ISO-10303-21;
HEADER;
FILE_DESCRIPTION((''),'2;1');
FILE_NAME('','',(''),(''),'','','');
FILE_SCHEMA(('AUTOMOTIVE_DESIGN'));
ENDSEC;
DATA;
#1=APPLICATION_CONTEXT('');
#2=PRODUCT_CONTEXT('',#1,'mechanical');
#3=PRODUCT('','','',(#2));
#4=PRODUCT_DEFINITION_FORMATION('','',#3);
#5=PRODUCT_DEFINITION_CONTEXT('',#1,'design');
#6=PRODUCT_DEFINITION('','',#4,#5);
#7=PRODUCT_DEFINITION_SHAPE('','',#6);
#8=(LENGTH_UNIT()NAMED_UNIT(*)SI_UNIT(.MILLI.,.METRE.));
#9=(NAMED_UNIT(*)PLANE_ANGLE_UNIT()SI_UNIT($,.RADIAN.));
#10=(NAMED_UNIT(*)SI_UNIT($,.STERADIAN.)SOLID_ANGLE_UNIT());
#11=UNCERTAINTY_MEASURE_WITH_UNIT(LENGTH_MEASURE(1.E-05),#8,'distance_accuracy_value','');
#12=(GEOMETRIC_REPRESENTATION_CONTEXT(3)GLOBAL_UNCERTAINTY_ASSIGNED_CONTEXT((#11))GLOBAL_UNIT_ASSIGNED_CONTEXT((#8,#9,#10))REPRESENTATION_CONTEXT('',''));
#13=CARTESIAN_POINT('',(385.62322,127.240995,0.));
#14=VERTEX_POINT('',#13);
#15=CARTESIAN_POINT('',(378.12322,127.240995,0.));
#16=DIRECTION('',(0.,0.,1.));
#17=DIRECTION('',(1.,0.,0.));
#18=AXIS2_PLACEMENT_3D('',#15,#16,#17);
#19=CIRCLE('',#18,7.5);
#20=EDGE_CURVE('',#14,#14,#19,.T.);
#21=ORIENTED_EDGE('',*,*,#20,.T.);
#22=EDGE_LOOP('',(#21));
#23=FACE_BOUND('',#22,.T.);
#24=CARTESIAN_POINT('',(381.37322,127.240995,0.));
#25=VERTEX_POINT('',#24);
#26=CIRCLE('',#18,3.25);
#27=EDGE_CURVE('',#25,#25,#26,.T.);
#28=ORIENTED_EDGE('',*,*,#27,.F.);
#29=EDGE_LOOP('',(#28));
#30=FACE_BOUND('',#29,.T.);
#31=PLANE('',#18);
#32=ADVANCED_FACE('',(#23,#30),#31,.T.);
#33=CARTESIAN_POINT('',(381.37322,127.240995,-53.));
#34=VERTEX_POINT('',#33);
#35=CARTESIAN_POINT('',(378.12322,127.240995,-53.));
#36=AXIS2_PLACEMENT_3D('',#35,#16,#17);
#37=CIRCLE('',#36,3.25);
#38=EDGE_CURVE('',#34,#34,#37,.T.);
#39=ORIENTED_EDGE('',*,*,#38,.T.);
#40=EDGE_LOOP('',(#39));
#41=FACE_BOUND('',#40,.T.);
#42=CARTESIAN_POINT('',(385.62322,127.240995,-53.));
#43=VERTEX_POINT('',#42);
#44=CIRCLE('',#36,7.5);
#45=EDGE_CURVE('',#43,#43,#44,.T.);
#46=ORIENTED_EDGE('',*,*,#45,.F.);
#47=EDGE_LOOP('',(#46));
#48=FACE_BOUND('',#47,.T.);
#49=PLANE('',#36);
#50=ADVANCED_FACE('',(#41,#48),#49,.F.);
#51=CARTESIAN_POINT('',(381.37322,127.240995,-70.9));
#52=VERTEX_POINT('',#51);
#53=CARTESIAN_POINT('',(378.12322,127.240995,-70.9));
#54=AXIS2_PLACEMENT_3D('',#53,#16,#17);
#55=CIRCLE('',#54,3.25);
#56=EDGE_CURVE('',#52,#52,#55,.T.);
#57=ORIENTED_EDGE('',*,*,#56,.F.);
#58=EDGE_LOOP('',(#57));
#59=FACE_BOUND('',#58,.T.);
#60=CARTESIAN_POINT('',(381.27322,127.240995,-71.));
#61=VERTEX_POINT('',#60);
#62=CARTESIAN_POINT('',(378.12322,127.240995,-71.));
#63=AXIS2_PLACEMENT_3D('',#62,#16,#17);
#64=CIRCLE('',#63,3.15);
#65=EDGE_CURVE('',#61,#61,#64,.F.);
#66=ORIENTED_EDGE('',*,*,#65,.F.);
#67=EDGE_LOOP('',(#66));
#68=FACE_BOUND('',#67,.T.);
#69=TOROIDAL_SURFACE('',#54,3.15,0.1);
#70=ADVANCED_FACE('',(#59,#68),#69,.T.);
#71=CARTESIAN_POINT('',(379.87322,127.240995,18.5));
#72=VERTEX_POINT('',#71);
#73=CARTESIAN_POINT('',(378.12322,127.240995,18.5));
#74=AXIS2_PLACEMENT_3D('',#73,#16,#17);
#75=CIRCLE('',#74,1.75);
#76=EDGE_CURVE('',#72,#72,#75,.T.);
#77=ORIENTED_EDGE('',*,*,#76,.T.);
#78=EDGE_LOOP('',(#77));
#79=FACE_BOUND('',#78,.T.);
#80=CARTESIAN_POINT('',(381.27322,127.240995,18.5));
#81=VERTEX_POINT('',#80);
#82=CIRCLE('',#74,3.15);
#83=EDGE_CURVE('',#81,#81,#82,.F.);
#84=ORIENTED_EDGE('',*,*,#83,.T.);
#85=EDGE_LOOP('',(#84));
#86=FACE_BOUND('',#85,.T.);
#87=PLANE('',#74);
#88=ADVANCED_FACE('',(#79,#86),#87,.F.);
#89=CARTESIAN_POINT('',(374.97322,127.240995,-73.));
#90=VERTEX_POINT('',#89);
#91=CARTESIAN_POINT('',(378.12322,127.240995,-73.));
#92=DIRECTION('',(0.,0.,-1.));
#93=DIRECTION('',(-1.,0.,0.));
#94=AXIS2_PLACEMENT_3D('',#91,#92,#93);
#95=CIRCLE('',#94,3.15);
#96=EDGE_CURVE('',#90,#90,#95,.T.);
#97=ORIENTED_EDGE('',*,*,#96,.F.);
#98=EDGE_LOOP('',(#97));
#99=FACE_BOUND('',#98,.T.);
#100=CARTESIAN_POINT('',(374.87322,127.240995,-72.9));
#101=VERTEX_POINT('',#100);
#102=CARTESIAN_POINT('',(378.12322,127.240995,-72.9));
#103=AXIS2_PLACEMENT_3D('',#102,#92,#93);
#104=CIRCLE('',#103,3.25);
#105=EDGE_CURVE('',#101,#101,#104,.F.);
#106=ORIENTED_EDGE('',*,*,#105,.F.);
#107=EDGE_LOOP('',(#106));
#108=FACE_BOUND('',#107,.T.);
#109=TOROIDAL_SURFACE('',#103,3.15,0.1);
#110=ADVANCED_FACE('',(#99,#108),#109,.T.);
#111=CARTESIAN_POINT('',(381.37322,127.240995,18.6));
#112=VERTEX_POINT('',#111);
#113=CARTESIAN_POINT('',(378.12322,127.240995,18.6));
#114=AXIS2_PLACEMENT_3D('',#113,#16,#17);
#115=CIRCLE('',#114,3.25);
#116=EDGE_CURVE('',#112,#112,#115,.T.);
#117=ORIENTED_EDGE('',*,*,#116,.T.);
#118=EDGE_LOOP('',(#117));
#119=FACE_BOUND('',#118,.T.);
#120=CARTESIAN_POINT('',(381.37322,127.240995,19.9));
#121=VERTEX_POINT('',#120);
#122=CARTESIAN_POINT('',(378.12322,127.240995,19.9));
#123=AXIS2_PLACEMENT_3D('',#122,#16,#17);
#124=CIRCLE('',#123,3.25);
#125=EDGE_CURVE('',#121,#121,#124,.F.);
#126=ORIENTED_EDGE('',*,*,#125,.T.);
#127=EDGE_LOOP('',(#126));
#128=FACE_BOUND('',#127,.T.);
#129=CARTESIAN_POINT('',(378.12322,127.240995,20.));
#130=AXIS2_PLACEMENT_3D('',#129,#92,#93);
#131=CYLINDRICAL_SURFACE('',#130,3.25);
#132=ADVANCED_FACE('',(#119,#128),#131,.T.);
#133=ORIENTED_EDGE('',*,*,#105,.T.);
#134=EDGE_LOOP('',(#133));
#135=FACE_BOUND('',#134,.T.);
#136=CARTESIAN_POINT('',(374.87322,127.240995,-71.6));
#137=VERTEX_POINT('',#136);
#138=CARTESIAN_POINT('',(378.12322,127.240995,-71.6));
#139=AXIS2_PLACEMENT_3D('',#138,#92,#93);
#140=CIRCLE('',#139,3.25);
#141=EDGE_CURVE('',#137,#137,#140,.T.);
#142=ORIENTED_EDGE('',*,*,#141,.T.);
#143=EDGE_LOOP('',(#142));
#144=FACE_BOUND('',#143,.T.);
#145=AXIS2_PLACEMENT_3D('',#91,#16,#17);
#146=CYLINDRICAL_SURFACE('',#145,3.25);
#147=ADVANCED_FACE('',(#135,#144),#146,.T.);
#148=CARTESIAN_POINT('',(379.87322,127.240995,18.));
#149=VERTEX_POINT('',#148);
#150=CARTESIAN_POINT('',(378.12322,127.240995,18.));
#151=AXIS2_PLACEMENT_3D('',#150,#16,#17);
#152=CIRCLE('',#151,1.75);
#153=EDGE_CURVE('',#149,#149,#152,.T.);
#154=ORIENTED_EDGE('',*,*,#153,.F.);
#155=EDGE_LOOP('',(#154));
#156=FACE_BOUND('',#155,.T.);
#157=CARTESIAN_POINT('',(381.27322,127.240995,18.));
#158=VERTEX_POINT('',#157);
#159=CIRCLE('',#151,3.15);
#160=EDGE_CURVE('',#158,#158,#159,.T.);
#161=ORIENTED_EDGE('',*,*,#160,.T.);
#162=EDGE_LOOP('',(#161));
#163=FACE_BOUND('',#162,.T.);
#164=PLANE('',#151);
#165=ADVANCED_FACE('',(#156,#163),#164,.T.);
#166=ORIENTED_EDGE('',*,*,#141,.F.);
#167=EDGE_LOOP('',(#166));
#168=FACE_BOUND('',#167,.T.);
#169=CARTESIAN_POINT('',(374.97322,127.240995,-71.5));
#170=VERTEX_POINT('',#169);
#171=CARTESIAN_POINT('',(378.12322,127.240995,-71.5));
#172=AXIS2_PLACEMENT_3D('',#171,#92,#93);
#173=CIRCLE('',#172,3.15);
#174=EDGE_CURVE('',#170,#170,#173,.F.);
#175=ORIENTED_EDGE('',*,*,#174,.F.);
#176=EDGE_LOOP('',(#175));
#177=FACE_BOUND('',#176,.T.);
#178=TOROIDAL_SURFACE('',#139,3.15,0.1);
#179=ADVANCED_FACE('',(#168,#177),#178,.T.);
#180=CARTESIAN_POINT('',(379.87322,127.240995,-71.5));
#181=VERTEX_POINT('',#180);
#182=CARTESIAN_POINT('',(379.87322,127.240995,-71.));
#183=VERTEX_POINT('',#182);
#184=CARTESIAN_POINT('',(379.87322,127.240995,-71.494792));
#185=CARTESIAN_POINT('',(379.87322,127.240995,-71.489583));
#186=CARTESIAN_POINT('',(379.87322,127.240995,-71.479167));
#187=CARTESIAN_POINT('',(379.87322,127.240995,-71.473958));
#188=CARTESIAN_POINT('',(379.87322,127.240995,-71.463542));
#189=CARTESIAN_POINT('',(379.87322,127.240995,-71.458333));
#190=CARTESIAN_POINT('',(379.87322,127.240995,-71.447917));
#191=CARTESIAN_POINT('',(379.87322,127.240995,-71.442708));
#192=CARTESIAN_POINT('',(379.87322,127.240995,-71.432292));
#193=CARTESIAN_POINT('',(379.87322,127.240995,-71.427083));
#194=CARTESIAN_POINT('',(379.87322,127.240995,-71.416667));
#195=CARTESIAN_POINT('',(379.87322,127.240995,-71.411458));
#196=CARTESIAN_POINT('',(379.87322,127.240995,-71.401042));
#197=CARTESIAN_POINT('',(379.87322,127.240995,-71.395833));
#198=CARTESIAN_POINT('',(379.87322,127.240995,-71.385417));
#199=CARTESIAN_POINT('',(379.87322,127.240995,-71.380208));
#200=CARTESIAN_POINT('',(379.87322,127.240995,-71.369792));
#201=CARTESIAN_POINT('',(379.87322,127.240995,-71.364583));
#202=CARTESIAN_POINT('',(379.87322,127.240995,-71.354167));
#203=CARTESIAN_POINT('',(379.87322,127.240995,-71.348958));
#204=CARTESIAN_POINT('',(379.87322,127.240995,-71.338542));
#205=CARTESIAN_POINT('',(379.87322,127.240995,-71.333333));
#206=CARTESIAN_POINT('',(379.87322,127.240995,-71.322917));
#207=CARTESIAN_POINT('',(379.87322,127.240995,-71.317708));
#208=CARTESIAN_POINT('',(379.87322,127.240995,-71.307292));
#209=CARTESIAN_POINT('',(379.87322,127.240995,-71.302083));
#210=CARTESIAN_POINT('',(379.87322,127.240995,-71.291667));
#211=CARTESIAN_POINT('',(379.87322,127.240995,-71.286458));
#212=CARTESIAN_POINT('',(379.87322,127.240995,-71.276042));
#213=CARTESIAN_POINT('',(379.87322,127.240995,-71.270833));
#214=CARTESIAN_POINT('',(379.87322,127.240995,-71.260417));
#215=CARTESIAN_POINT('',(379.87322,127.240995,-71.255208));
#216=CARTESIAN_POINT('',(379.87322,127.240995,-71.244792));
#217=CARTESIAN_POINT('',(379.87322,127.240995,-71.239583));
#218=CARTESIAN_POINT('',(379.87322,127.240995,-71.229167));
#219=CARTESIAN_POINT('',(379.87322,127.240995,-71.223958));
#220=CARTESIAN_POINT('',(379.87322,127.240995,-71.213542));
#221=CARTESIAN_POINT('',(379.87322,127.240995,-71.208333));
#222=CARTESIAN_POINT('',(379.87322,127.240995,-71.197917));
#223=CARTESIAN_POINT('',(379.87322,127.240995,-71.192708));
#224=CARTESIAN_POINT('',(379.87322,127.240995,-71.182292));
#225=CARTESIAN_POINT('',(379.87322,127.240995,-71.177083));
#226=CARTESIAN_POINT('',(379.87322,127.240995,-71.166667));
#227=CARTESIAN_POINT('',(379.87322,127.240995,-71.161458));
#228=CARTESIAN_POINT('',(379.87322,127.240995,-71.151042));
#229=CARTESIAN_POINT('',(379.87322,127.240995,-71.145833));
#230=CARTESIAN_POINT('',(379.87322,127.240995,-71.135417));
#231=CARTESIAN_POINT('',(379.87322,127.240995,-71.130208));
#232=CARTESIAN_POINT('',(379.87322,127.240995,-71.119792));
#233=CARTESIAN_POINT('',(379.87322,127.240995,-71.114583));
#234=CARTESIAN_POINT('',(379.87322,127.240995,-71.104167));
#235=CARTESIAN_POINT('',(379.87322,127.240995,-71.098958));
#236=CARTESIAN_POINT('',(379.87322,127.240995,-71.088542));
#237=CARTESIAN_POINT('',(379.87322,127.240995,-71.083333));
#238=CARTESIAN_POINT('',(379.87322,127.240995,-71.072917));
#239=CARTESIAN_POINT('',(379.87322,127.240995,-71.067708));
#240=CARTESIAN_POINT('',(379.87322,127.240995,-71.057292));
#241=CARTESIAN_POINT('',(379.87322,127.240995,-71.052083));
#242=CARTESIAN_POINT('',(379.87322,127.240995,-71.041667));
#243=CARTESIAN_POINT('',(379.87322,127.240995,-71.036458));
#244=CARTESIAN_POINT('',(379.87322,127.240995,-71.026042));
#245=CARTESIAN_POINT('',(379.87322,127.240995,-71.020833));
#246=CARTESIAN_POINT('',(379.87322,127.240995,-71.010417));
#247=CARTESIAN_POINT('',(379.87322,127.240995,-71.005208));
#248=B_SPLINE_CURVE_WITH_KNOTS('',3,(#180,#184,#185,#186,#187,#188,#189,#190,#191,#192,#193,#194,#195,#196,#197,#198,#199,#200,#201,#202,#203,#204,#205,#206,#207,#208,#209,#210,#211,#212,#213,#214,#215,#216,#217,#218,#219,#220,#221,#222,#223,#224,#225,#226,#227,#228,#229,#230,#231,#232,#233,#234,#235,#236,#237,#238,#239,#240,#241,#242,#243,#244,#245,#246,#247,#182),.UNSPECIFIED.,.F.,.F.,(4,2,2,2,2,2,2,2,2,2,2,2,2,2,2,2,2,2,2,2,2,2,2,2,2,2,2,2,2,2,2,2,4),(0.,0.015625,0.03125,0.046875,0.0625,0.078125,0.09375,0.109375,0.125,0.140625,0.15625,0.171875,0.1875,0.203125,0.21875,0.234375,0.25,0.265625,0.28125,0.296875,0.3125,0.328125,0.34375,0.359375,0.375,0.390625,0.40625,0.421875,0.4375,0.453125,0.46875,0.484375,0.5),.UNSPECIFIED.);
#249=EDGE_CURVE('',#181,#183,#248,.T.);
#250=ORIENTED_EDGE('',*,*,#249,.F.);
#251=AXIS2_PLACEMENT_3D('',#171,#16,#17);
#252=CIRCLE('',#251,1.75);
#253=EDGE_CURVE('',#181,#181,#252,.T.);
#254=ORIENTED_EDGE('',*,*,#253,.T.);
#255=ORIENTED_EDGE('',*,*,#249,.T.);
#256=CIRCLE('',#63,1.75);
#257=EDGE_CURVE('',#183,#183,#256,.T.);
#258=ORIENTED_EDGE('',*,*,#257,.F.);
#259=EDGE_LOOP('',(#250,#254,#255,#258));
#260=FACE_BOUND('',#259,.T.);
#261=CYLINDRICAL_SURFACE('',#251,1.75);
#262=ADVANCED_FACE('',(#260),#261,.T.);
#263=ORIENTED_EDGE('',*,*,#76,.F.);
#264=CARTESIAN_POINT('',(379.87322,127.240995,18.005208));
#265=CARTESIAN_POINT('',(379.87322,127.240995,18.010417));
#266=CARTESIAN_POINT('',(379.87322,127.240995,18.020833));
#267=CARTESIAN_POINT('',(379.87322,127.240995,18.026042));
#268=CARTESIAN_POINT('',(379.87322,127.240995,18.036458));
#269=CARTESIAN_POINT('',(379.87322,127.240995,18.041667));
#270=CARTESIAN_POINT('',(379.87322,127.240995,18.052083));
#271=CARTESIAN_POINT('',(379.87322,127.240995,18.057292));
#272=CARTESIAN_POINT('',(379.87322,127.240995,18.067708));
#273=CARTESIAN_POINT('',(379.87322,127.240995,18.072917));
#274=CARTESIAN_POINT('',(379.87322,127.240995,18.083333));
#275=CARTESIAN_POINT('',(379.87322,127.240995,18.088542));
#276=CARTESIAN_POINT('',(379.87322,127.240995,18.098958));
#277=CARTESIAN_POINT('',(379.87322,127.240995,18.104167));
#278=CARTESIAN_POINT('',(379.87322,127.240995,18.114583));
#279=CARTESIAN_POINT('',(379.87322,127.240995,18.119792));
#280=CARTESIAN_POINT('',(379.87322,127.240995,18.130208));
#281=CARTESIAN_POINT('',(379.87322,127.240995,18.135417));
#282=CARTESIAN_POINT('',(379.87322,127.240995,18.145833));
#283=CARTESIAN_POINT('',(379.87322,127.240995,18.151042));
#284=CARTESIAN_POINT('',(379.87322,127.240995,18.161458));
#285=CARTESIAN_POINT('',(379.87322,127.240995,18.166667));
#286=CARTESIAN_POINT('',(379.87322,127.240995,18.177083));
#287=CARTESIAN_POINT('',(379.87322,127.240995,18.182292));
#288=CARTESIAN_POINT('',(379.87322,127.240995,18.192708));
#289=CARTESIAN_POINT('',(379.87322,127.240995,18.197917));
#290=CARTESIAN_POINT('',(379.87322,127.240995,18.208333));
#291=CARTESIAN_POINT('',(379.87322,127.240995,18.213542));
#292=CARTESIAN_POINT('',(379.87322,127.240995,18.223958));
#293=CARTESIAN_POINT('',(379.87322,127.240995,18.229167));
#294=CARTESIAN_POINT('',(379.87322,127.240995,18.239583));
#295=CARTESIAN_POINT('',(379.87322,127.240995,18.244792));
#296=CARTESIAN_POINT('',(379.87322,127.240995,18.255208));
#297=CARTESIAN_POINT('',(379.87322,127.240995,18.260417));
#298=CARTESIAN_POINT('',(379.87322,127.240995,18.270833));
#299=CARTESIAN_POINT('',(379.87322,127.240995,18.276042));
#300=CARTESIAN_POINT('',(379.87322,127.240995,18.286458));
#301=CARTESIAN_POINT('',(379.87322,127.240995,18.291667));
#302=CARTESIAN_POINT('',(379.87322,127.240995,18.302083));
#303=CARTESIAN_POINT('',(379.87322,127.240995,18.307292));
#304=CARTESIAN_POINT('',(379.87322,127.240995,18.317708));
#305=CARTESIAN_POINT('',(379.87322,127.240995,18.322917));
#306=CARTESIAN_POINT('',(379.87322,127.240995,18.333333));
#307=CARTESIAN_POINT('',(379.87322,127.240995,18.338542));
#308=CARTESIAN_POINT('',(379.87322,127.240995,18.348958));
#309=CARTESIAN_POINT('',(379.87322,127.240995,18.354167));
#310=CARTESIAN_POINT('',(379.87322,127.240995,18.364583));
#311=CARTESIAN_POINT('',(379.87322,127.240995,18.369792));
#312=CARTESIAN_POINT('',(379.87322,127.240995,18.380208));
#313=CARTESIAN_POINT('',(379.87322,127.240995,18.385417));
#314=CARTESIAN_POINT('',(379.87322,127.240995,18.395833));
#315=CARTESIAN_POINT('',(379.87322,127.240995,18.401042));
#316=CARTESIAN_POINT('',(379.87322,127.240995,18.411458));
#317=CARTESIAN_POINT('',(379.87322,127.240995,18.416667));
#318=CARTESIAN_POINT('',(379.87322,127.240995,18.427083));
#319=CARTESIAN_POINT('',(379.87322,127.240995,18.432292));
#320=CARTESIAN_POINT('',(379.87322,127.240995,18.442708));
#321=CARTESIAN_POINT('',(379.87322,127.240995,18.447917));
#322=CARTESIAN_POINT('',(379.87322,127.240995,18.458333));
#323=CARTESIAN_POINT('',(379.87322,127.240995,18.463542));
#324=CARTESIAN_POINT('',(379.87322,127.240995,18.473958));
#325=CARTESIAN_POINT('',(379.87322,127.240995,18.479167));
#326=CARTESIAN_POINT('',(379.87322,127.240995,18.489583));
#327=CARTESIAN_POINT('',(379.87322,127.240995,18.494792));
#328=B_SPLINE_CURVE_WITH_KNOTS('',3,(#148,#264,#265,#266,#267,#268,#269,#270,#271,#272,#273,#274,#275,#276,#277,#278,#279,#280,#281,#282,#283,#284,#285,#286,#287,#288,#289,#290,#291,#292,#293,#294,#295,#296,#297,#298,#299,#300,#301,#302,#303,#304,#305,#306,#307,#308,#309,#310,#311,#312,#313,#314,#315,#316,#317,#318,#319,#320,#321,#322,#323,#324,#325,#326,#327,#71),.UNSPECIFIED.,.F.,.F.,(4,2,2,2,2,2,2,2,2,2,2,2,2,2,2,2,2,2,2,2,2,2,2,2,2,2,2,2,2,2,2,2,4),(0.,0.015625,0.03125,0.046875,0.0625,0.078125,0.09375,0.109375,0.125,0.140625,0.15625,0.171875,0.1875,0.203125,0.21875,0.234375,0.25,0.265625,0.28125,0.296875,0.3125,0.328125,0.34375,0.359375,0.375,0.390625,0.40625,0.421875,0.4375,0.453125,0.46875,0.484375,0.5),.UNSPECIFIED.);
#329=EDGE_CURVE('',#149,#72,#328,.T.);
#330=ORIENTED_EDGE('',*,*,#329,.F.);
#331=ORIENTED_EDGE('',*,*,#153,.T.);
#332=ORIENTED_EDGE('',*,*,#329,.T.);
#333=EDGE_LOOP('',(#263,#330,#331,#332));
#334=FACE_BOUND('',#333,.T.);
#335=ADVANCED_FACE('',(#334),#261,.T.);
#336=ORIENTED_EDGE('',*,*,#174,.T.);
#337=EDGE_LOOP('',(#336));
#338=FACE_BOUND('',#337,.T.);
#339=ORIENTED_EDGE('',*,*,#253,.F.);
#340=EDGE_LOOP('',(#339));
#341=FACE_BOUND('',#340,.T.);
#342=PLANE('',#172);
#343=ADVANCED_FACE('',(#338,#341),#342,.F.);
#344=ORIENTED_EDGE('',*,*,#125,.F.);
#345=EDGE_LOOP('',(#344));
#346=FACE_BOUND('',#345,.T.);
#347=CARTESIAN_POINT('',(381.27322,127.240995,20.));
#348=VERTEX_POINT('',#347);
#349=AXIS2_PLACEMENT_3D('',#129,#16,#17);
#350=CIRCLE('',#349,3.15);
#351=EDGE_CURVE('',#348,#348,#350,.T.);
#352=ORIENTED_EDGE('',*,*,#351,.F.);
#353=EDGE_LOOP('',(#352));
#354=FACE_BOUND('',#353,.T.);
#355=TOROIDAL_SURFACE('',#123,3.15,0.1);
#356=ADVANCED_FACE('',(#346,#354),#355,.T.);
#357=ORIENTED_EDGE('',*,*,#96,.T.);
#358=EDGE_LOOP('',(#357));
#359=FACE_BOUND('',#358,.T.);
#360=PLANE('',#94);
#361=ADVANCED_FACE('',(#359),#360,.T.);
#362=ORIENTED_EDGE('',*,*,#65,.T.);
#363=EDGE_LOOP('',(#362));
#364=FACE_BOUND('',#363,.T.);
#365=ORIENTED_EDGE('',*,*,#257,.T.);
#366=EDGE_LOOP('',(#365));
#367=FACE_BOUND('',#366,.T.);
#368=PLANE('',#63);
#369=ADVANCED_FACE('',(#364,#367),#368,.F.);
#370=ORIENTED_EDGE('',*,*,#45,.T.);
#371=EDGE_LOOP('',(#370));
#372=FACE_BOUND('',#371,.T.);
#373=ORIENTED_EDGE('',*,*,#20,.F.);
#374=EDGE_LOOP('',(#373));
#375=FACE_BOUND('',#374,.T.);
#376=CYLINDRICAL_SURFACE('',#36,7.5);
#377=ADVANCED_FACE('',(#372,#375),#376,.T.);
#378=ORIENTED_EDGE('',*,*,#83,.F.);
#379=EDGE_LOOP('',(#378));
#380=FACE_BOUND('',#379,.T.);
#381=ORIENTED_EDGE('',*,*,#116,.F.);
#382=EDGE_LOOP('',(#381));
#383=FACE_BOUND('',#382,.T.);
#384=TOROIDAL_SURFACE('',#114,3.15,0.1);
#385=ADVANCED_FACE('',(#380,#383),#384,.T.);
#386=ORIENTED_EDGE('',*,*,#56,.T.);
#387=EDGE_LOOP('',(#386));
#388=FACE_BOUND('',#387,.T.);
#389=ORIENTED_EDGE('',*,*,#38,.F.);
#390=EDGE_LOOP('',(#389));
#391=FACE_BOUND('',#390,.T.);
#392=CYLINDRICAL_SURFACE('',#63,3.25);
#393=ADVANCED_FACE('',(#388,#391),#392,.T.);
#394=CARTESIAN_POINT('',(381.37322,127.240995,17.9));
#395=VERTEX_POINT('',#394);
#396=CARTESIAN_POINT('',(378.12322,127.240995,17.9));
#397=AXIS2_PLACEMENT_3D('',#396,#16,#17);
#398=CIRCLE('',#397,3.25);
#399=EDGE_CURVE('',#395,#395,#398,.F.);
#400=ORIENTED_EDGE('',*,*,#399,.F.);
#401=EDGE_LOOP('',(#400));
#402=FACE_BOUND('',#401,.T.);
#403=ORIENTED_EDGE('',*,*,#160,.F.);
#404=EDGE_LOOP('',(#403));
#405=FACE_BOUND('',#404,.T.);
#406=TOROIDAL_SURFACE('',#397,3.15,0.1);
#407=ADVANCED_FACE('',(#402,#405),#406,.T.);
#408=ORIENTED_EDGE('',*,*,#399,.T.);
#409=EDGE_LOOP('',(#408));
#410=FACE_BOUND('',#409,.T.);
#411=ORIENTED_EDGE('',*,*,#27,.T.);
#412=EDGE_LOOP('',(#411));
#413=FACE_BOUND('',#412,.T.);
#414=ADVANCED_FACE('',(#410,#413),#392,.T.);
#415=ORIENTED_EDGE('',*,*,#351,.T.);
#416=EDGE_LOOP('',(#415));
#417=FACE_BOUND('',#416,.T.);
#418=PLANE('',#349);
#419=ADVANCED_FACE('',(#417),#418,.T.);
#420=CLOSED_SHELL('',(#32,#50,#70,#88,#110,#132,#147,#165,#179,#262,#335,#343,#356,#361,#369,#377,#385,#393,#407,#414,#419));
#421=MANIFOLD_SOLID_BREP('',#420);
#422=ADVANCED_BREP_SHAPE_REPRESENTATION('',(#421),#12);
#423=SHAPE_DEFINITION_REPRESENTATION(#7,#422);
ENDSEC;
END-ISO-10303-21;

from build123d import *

# Parameters (mm, degrees)
SKETCH1_R                = 7.5
BOSS_EXTRUDE1_DEPTH      = 53
BOSS_EXTRUDE2_DEPTH      = 18
BOSS_EXTRUDE2_DEPTH_BACK = 71
SKETCH2_R                = 3.25
BOSS_EXTRUDE3_DEPTH      = 0.5
BOSS_EXTRUDE3_DEPTH_BACK = 89.5
SKETCH3_R                = 1.75
SKETCH4_R                = 3.25
BOSS_EXTRUDE4_DEPTH      = 1.5
BOSS_EXTRUDE5_START      = 1.5
SKETCH5_R                = 3.25
BOSS_EXTRUDE5_DEPTH      = 1.5
FILLET1_R                = 0.1
FILLET2_R                = 0.1


with BuildPart() as part:
    # Sketch1 → Boss-Extrude1 (new body)
    with BuildSketch(Plane.XY):
        with Locations((378.123219941, 127.240995388)):
            Circle(SKETCH1_R)
    extrude(amount=-BOSS_EXTRUDE1_DEPTH)

    # Sketch2 → Boss-Extrude2 (add, two sides: drawn at the far end of the back side and taken through both)
    with BuildSketch(Plane.XY.offset(-BOSS_EXTRUDE2_DEPTH_BACK)):
        with Locations((378.123219941, 127.240995388)):
            Circle(SKETCH2_R)
    extrude(amount=BOSS_EXTRUDE2_DEPTH + BOSS_EXTRUDE2_DEPTH_BACK)

    # Sketch3 → Boss-Extrude3 (add, two sides: drawn at the far end of the back side and taken through both)
    with BuildSketch(Plane.XY.offset(18).offset(-BOSS_EXTRUDE3_DEPTH_BACK)):
        with Locations((378.123219941, 127.240995388)):
            Circle(SKETCH3_R)
    extrude(amount=BOSS_EXTRUDE3_DEPTH + BOSS_EXTRUDE3_DEPTH_BACK)

    # Sketch4 → Boss-Extrude4 (add)
    with BuildSketch(Plane.XY.offset(18.5)):
        with Locations((378.123219941, 127.240995388)):
            Circle(SKETCH4_R)
    extrude(amount=BOSS_EXTRUDE4_DEPTH)

    # Sketch5 → Boss-Extrude5 (add)
    with BuildSketch(Plane(origin=(0, 0, -71.5), x_dir=(-1, 0, 0), z_dir=(0, 0, -1)).offset(BOSS_EXTRUDE5_START)):
        with Locations(Location((-378.123219941, 127.240995388, 0), (0, 0, 180))):
            Circle(SKETCH5_R)
    extrude(amount=-BOSS_EXTRUDE5_DEPTH)

    # Fillet1
    fillet1_edges = [part.edges().sort_by_distance(p)[0] for p in [
        (374.873219941, 127.240995388, 18.5),
        (374.873219941, 127.240995388, -71.5),
        (374.873219941, 127.240995388, -71),
        (374.873219941, 127.240995388, 18),
    ]]
    fillet(fillet1_edges, radius=FILLET1_R)

    # Fillet2
    fillet2_edges = [part.edges().sort_by_distance(p)[0] for p in [
        (374.873219941, 127.240995388, 20),
        (374.873219941, 127.240995388, -73),
    ]]
    fillet(fillet2_edges, radius=FILLET2_R)


solid = part.part
